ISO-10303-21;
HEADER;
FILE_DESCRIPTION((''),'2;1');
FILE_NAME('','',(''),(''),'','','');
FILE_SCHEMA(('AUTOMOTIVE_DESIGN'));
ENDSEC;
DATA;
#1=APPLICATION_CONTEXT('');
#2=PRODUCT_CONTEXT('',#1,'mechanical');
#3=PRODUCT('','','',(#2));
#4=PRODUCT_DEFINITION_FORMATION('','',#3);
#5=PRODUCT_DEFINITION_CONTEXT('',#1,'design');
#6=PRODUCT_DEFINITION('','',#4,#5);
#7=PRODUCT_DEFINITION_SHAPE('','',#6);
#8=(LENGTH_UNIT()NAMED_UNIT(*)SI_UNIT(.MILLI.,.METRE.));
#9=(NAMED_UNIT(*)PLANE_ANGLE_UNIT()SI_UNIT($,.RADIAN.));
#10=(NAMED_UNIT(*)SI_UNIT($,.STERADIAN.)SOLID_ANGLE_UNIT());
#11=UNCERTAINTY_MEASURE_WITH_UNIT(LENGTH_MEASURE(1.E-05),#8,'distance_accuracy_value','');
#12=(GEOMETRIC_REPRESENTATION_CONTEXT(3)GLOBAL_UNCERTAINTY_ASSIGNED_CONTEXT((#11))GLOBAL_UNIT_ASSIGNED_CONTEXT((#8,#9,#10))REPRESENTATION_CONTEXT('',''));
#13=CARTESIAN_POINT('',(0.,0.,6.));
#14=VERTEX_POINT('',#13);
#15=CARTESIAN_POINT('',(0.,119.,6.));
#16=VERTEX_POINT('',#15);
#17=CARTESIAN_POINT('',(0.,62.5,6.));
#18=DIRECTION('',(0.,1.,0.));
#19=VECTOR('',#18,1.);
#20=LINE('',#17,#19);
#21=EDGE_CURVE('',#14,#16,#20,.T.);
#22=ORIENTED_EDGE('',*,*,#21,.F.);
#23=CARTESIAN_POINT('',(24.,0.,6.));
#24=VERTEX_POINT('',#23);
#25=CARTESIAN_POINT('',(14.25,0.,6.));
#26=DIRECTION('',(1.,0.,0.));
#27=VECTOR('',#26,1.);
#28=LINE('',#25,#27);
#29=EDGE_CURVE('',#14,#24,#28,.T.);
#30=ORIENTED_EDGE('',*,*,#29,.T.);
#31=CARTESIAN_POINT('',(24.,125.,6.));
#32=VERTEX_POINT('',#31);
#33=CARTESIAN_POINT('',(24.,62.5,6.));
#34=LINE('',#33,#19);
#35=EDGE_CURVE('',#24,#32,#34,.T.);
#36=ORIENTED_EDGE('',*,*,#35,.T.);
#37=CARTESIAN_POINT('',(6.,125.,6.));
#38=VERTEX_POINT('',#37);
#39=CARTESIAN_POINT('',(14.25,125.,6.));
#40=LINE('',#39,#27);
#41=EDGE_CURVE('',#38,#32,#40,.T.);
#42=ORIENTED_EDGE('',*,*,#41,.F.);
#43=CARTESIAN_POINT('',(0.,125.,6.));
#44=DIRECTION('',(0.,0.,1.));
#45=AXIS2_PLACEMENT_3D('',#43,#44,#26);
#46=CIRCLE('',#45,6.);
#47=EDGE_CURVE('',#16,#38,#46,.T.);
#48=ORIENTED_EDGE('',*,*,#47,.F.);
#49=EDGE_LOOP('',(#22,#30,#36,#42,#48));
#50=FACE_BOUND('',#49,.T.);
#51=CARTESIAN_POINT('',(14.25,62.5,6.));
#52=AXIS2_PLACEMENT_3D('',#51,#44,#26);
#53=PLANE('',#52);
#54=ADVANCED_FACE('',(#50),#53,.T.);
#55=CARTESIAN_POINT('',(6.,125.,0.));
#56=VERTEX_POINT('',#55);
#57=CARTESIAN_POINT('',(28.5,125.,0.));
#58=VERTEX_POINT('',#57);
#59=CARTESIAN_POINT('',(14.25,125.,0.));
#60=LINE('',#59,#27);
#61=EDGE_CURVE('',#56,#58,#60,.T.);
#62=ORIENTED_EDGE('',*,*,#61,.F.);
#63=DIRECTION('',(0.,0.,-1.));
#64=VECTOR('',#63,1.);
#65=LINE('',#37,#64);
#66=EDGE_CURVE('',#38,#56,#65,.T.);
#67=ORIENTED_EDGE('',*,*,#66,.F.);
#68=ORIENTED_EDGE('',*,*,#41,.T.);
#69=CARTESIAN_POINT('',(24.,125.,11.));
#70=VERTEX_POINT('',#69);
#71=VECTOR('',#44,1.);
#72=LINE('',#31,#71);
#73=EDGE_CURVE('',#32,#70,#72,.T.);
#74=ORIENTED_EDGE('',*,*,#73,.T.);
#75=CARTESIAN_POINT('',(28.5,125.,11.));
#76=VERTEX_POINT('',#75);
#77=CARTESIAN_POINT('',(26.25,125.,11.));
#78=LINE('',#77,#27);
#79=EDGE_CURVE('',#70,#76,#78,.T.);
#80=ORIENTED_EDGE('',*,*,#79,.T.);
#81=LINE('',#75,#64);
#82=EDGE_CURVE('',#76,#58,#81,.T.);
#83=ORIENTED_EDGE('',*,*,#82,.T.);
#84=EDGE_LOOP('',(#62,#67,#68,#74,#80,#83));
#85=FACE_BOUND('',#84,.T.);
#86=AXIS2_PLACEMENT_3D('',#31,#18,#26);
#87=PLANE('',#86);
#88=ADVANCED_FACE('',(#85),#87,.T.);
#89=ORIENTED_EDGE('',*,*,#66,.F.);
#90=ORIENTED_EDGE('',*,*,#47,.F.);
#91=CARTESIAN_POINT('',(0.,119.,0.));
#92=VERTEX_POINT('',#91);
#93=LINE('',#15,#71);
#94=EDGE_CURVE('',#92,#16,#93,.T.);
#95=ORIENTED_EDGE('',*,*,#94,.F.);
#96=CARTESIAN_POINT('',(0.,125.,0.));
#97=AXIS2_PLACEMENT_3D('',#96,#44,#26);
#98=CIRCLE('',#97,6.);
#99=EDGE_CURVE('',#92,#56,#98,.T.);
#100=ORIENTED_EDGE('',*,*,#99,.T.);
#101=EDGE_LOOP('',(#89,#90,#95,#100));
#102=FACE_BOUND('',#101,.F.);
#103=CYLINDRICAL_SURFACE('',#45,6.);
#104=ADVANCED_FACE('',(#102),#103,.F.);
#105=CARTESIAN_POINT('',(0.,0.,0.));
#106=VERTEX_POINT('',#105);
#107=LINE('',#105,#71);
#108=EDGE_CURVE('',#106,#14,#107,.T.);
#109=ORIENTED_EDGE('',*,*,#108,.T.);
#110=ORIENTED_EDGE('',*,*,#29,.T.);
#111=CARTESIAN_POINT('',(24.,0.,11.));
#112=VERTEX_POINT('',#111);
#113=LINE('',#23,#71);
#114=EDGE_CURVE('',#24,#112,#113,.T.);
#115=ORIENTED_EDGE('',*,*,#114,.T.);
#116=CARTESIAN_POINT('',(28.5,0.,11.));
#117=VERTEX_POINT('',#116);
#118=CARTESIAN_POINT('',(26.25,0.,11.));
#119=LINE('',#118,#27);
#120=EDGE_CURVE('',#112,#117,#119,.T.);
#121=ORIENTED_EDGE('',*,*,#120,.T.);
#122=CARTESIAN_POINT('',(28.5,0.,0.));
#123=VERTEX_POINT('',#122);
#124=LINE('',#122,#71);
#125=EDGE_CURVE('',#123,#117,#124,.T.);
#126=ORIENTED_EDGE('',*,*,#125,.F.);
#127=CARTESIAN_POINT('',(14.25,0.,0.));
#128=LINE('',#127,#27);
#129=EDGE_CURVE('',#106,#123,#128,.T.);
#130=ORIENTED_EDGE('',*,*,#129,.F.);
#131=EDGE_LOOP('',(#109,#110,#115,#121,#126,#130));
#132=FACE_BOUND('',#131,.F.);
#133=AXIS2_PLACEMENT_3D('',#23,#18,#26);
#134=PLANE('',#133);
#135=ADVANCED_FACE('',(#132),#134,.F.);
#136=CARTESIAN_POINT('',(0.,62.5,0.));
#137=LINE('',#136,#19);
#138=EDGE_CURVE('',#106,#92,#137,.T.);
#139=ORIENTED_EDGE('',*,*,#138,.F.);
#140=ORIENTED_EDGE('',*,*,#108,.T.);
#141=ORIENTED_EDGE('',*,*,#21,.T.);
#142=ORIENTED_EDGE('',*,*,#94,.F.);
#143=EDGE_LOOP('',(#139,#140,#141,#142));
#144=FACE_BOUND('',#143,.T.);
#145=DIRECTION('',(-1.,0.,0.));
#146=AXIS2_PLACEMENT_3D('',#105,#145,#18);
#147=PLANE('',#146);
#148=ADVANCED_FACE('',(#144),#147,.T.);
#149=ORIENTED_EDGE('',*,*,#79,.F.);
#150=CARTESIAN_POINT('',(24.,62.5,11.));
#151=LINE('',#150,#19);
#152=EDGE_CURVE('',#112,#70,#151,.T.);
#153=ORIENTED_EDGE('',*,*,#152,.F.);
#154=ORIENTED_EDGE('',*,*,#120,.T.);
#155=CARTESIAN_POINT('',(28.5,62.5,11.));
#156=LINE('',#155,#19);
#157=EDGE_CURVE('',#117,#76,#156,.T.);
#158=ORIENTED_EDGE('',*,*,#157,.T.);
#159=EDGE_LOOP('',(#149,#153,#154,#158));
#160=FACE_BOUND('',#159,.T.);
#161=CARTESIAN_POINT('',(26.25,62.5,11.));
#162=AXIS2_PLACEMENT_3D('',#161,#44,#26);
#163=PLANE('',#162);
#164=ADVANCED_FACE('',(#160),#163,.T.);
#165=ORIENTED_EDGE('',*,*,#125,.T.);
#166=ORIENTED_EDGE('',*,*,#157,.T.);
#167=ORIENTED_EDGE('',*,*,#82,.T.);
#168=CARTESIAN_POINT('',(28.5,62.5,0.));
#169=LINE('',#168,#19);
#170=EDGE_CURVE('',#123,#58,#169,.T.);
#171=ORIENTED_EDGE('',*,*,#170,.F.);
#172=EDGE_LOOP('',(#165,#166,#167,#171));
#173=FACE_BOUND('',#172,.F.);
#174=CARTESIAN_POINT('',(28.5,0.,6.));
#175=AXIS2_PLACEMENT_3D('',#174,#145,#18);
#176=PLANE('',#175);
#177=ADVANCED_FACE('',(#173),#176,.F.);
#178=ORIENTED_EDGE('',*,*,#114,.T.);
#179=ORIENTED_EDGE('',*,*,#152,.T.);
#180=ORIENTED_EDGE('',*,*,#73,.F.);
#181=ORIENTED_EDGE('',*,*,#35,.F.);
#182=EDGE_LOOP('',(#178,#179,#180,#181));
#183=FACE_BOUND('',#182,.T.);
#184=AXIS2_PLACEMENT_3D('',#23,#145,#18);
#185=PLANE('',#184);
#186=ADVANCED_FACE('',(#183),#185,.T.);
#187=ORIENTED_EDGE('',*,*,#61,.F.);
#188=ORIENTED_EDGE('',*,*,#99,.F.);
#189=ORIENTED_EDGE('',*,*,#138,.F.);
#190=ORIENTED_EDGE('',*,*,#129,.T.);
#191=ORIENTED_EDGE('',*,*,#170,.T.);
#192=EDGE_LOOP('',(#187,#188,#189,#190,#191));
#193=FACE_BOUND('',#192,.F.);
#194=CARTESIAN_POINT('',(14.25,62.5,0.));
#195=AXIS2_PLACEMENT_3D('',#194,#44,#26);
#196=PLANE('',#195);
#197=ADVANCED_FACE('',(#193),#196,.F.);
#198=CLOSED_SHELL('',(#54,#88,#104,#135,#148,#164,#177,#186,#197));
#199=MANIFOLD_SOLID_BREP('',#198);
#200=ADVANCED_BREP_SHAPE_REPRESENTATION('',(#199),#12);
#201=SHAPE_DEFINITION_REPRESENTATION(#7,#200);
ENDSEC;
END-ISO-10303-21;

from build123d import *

# Parameters (mm, degrees)
CROQUIS1_W              = 28.5
CROQUIS1_H              = 125
SALIENTE_EXTRUIR1_DEPTH = 6
CROQUIS2_W              = 4.5
CROQUIS2_H              = 125
SALIENTE_EXTRUIR2_DEPTH = 5
CROQUIS3_R              = 6
CORTAR_EXTRUIR1_DEPTH   = 7


with BuildPart() as part:
    # Croquis1 → Saliente-Extruir1 (new body)
    with BuildSketch(Plane.XY):
        with Locations((14.25, 62.5)):
            Rectangle(CROQUIS1_W, CROQUIS1_H)
    extrude(amount=SALIENTE_EXTRUIR1_DEPTH)

    # Croquis2 → Saliente-Extruir2 (add)
    with BuildSketch(Plane.XY.offset(6)):
        with Locations((26.25, 62.5)):
            Rectangle(CROQUIS2_W, CROQUIS2_H)
    extrude(amount=SALIENTE_EXTRUIR2_DEPTH)

    # Croquis3 → Cortar-Extruir1 (cut, through all)
    with BuildSketch(Plane.XY.offset(6)):
        with Locations((0, 125)):
            Circle(CROQUIS3_R)
    extrude(amount=-CORTAR_EXTRUIR1_DEPTH, mode=Mode.SUBTRACT)


solid = part.part
